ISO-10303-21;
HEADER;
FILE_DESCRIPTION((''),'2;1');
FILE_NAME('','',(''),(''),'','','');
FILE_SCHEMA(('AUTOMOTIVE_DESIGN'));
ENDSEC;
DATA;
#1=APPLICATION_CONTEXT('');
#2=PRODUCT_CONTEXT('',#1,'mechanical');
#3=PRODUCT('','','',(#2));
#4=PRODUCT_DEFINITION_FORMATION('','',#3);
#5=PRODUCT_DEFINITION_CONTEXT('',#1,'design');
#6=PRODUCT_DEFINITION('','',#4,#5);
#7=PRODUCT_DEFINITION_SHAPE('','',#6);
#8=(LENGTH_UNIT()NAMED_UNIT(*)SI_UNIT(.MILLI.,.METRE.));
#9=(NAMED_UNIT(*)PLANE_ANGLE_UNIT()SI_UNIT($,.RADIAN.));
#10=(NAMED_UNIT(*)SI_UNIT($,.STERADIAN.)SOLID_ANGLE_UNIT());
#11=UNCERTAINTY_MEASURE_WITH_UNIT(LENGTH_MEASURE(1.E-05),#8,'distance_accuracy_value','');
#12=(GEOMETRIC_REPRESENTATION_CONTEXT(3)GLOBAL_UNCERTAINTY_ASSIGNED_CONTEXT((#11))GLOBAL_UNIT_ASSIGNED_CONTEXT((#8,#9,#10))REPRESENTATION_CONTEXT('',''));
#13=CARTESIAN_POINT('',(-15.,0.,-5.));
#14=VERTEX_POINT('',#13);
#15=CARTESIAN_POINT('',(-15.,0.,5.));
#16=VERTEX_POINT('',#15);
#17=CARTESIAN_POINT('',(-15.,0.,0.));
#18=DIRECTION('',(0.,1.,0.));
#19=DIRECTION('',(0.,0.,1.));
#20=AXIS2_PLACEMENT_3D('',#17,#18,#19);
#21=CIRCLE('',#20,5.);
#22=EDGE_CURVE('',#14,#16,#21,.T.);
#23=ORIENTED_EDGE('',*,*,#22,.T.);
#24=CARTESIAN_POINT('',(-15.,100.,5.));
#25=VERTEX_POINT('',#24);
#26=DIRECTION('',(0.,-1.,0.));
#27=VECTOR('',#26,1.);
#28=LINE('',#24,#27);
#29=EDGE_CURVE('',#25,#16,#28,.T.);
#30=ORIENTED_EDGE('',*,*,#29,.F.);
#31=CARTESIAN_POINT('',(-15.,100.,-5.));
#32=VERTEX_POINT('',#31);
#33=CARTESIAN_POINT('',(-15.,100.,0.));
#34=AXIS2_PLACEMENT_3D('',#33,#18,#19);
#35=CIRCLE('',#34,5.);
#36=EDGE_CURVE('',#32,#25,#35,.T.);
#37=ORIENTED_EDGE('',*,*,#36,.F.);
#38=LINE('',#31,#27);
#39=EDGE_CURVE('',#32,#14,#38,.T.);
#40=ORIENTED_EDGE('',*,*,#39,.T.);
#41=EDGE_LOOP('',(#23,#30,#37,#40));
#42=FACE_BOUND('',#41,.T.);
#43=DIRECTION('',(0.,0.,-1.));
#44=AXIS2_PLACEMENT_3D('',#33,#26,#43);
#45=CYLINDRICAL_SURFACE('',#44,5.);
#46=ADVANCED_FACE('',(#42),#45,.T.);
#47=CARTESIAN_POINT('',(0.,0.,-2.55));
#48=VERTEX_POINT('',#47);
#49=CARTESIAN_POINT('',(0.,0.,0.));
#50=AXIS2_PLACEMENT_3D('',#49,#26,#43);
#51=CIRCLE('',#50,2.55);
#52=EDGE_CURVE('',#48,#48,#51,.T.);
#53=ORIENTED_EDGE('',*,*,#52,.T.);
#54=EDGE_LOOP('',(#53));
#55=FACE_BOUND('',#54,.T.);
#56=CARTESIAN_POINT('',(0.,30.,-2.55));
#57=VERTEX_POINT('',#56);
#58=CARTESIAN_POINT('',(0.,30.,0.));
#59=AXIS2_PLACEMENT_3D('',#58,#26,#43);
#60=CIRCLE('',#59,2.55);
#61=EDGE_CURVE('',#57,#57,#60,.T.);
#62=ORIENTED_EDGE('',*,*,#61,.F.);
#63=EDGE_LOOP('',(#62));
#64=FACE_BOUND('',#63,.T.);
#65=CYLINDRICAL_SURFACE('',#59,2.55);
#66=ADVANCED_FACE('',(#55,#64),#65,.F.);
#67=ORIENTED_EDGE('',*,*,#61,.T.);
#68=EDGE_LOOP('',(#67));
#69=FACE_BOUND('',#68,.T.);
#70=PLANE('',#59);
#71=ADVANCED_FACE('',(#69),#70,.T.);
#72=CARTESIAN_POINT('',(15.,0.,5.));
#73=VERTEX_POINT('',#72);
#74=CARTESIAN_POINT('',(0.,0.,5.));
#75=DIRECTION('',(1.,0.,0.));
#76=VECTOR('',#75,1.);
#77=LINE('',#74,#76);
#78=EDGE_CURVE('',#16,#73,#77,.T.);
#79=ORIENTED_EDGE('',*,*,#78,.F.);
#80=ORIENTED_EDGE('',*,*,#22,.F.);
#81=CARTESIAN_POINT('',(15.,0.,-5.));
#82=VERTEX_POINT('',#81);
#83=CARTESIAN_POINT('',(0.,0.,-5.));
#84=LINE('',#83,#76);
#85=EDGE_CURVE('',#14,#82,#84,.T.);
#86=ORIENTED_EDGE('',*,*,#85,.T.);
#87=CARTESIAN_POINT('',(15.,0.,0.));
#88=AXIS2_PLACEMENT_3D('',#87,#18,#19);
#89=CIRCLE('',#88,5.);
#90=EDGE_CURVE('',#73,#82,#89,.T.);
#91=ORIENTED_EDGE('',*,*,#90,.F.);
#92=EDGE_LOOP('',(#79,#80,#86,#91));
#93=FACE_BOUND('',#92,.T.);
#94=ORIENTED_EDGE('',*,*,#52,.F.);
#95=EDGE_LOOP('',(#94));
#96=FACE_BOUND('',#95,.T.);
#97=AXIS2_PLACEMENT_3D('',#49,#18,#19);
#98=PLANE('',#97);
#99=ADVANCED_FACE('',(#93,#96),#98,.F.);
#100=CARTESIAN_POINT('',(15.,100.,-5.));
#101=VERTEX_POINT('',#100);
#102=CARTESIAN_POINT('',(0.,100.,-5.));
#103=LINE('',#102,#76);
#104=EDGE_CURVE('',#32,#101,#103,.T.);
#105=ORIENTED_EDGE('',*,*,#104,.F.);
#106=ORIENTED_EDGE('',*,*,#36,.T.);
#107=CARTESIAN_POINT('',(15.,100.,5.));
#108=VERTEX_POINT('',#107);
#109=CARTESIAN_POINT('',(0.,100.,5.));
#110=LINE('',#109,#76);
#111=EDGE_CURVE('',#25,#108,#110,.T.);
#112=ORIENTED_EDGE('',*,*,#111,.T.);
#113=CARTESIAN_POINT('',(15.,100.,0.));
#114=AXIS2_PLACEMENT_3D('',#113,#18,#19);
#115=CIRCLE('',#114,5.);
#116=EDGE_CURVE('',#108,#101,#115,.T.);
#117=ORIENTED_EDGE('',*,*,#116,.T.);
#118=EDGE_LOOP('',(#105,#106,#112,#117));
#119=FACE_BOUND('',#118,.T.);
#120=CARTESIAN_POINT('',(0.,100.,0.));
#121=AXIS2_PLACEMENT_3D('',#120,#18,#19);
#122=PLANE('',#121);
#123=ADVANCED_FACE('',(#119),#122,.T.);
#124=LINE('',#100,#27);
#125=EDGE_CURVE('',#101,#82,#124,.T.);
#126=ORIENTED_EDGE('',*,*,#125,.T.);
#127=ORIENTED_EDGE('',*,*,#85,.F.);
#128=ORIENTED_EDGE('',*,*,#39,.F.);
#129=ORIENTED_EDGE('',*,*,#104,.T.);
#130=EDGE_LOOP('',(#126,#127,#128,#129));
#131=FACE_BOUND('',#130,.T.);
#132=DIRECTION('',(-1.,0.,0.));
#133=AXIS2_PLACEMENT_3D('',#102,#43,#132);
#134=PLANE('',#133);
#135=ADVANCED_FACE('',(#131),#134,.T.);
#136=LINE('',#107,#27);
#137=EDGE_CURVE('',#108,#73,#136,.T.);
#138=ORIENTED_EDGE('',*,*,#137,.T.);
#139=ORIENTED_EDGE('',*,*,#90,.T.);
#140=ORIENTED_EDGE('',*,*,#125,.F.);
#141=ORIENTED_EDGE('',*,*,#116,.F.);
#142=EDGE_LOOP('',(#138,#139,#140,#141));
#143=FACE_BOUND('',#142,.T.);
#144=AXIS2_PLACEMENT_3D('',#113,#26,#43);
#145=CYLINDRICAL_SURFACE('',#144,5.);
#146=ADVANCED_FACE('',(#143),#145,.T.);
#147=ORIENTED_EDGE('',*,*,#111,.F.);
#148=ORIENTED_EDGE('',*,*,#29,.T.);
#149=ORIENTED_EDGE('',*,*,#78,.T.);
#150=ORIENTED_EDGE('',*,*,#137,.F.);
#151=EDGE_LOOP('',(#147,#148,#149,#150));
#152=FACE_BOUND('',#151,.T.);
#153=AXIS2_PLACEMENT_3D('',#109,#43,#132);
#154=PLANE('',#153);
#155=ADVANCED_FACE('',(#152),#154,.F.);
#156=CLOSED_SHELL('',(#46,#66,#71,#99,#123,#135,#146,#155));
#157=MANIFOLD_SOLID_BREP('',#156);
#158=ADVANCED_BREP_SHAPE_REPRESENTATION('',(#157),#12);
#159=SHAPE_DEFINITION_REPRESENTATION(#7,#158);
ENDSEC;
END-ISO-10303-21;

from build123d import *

# Parameters (mm, degrees)
BOSS_EXTRUDE2_DEPTH = 100
CUT_EXTRUDE1_DEPTH  = 30


with BuildPart() as part:
    # Sketch2 → Boss-Extrude2 (new body)
    with BuildSketch(Plane(origin=(0, 0, 0), x_dir=(1, 0, 0), z_dir=(0, 1, 0))):
        with BuildLine():
            Line((-15, -5), (15, -5))
            ThreePointArc((15, -5), (20, 0), (15, 5))
            Line((15, 5), (-15, 5))
            ThreePointArc((-15, 5), (-20, 0), (-15, -5))
        make_face()
    extrude(amount=BOSS_EXTRUDE2_DEPTH)

    # Sketch3 → Cut-Extrude1 (cut)
    with BuildSketch(Plane(origin=(0, 0, 0), x_dir=(-1, 0, 0), z_dir=(0, -1, 0))):
        with BuildLine():
            ThreePointArc((2.55, 0), (1.803122292, 1.803122292), (0, 2.55))
            Line((0, 2.55), (0, -2.55))
            ThreePointArc((0, -2.55), (1.803122292, -1.803122292), (2.55, 0))
        make_face()
        with BuildLine():
            Line((0, -2.55), (0, 2.55))
            ThreePointArc((0, 2.55), (-2.55, 0), (0, -2.55))
        make_face()
    extrude(amount=-CUT_EXTRUDE1_DEPTH, mode=Mode.SUBTRACT)


solid = part.part
